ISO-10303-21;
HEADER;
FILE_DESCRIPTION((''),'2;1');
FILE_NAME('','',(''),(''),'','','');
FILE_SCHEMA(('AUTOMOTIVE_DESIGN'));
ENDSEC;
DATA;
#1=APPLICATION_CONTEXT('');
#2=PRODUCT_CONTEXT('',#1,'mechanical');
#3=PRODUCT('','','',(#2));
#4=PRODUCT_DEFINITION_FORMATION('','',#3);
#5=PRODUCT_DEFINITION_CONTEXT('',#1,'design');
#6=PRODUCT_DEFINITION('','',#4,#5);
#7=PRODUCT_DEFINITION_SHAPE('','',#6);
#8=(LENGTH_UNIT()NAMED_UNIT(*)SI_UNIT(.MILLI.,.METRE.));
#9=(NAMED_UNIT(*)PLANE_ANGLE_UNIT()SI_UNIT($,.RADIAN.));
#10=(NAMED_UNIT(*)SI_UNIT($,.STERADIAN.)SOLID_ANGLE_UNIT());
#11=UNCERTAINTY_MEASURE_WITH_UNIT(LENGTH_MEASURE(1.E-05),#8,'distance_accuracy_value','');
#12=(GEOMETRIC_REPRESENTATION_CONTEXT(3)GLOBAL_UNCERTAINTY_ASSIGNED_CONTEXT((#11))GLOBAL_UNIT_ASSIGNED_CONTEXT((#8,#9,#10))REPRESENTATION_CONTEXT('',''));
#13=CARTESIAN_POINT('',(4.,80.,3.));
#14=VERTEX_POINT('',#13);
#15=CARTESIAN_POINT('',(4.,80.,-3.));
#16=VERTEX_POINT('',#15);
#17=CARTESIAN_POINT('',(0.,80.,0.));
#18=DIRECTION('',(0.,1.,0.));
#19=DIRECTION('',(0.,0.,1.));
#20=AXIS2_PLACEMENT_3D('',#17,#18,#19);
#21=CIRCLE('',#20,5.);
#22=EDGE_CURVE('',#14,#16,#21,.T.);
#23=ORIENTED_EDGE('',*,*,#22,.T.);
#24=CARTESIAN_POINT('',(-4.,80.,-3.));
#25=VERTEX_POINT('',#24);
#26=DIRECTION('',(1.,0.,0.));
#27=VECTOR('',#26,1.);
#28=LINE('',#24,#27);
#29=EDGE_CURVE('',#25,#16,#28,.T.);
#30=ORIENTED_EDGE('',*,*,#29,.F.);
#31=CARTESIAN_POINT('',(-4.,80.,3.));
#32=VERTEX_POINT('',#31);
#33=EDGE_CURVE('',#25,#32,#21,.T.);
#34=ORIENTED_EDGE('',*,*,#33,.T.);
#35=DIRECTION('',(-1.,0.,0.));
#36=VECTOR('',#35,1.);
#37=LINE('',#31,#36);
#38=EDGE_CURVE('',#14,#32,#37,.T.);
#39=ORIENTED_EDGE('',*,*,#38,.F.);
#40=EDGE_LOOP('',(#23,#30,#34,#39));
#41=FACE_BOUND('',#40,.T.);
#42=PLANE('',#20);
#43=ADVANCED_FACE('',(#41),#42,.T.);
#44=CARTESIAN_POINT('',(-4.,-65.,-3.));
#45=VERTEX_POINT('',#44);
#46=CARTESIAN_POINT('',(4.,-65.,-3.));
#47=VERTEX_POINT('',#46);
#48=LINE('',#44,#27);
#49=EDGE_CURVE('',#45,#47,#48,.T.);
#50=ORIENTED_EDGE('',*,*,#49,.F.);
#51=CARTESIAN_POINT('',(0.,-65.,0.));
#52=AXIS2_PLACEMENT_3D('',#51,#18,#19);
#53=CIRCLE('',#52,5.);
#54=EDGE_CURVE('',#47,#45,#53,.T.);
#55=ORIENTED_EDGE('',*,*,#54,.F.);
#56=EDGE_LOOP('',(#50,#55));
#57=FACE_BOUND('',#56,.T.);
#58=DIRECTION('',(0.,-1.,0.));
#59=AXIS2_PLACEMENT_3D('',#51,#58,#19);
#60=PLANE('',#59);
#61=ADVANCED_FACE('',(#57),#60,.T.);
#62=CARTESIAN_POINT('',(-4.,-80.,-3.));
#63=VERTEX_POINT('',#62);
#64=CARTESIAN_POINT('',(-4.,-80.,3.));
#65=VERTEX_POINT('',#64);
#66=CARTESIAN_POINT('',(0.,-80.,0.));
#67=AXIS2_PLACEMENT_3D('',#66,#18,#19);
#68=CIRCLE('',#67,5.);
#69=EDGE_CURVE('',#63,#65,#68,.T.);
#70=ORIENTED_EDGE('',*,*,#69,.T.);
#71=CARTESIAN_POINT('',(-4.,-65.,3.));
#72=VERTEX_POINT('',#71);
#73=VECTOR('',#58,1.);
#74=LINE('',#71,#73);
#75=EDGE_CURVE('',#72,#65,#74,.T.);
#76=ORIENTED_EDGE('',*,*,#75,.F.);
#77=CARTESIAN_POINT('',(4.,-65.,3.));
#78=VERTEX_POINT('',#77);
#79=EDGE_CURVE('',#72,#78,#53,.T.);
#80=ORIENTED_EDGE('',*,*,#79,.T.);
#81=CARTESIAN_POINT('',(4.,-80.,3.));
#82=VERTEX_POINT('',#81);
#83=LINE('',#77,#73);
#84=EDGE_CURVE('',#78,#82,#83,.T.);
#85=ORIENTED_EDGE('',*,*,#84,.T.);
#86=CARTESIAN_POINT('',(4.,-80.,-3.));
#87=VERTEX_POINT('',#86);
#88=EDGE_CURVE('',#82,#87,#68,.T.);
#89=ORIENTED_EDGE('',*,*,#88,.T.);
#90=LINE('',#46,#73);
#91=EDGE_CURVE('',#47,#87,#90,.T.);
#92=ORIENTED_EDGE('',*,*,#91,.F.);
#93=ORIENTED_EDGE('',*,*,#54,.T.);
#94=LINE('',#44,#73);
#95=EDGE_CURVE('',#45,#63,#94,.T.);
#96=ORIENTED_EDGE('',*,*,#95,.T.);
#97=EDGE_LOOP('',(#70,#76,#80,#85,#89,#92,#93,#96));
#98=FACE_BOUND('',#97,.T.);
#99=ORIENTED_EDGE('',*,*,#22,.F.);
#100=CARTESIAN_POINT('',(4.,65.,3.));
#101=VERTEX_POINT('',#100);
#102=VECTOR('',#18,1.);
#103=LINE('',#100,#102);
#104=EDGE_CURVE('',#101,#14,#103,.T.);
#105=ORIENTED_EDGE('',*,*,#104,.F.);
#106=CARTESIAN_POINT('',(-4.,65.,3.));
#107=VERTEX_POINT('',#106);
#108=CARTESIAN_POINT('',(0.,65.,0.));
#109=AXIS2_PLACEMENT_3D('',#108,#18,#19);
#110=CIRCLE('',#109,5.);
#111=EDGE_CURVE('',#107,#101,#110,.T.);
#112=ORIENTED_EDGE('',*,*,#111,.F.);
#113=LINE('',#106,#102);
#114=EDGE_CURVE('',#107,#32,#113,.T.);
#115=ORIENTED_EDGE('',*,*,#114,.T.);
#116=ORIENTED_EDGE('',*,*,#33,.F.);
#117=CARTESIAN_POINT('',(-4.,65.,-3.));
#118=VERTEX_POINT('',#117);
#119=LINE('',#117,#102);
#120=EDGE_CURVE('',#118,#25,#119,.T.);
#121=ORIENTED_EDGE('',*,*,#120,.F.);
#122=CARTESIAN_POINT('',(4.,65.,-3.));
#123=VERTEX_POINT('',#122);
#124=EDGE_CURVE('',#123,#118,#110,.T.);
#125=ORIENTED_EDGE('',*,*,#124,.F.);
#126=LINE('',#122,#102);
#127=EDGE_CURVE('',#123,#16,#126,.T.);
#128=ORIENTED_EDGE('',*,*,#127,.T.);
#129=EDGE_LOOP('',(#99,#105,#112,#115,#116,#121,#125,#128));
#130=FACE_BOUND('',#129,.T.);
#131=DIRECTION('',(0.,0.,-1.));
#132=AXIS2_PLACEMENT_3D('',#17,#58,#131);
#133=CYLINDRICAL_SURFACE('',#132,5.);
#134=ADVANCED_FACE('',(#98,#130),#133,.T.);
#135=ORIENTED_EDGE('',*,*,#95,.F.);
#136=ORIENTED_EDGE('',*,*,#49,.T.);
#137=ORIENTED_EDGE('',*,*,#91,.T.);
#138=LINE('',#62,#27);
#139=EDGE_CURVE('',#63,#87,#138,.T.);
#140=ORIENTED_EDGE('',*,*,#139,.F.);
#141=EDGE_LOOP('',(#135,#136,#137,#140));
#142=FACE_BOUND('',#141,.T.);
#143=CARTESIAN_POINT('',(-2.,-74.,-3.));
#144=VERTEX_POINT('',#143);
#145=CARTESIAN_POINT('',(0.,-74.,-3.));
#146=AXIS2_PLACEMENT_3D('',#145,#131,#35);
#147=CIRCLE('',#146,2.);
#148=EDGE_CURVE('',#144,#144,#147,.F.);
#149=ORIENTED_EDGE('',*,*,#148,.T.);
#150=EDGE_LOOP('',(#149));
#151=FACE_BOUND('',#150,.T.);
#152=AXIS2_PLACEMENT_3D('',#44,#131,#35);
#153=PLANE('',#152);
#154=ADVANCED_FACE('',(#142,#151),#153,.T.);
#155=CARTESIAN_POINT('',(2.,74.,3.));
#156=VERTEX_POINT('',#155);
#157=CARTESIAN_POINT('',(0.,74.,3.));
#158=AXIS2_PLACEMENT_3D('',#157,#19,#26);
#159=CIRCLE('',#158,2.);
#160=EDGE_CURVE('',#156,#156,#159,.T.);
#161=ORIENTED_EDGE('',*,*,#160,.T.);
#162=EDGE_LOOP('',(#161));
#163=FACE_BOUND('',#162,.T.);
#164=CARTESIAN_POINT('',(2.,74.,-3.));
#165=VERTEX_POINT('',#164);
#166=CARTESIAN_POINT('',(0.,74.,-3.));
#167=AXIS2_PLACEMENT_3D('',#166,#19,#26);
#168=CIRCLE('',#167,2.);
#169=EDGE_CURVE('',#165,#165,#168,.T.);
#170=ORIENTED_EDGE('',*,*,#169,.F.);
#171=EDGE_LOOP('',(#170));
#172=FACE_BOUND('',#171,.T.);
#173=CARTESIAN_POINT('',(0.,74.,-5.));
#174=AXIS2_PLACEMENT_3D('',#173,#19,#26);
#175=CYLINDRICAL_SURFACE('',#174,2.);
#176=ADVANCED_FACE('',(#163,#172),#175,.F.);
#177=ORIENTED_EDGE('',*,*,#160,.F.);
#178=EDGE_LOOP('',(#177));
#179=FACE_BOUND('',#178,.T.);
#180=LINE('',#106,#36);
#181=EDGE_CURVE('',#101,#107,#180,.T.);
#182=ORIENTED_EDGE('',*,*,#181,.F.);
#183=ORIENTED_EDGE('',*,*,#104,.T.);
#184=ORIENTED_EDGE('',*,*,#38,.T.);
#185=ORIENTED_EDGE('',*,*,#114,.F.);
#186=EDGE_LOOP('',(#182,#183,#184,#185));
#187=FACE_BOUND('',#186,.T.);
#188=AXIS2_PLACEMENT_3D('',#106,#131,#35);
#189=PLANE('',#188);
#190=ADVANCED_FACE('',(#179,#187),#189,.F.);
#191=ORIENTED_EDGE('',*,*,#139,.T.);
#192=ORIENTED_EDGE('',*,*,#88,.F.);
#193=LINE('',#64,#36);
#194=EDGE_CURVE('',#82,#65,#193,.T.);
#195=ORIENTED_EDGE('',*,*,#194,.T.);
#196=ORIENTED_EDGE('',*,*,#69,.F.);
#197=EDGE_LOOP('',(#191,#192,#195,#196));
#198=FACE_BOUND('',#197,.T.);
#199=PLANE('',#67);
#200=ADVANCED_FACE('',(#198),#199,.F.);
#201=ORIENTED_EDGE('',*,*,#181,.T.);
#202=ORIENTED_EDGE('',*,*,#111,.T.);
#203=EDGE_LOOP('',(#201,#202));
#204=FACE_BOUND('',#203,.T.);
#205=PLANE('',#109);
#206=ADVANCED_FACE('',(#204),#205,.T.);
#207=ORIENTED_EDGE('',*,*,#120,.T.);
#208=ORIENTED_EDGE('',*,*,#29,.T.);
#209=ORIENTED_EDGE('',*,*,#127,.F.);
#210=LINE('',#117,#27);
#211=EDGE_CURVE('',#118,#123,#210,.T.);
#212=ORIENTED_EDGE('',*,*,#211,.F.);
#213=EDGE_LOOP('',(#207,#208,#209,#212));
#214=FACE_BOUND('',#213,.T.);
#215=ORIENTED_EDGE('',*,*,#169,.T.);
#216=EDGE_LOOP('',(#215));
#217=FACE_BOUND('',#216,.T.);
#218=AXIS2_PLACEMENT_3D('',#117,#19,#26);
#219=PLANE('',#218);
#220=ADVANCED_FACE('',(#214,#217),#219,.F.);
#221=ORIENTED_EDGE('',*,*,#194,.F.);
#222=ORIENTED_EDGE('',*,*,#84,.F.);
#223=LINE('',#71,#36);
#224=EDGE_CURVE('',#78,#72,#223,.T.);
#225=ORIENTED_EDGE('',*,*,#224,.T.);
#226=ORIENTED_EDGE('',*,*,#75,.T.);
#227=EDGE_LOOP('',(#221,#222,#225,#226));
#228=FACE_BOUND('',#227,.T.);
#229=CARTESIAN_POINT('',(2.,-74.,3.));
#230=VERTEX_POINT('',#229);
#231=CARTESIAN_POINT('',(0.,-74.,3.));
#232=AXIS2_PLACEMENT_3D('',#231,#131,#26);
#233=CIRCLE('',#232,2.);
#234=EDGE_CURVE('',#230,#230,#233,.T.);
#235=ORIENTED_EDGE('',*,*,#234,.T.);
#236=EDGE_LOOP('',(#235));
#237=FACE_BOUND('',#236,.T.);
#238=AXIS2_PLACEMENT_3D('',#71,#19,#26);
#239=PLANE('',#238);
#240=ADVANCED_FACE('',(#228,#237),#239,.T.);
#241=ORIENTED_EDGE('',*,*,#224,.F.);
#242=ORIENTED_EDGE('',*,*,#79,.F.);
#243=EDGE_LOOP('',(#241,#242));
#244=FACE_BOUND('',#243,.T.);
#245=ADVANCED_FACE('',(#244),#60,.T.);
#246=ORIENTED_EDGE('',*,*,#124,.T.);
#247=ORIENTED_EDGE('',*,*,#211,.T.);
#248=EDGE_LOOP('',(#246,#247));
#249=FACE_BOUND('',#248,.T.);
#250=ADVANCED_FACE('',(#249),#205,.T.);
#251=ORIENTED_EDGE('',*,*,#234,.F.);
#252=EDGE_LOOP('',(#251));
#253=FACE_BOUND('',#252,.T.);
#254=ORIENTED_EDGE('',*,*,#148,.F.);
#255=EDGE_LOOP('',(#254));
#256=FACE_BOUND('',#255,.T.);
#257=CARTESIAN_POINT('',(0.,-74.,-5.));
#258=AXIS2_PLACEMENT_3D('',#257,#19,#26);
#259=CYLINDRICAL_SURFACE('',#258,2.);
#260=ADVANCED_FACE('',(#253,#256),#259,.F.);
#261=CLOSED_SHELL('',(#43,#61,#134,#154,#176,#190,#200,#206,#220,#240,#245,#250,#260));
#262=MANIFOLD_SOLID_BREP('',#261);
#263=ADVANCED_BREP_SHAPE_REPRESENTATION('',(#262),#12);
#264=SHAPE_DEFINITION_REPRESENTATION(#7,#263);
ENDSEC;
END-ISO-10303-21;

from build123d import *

# Parameters (mm, degrees)
SKETCH1_R           = 5
BOSS_EXTRUDE1_DEPTH = 80
CUT_EXTRUDE1_DEPTH  = 15
SKETCH3_R           = 2
CUT_EXTRUDE2_DEPTH  = 81.554329493


with BuildPart() as part:
    # Sketch1 → Boss-Extrude1 (new, symmetric)
    with BuildSketch(Plane(origin=(0, 0, 0), x_dir=(1, 0, 0), z_dir=(0, 1, 0))):
        with Locations(Location((0, 0, 0), (0, 0, 270))):
            Circle(SKETCH1_R)
    extrude(amount=BOSS_EXTRUDE1_DEPTH, both=True)

    # Sketch2 → Cut-Extrude1 (cut)
    with BuildSketch(Plane(origin=(0, 80, 0), x_dir=(1, 0, 0), z_dir=(0, 1, 0))):
        with BuildLine():
            Line((-4, -3), (4, -3))
            ThreePointArc((4, -3), (0, -5), (-4, -3))
        make_face()
        with BuildLine():
            Line((-4, 3), (4, 3))
            ThreePointArc((4, 3), (0, 5), (-4, 3))
        make_face()
    cut_extrude1 = extrude(amount=-CUT_EXTRUDE1_DEPTH, mode=Mode.SUBTRACT)

    # Mirror2: Cut-Extrude1 across plane
    add(cut_extrude1.mirror(Plane.ZX), mode=Mode.SUBTRACT)

    # Sketch3 → Cut-Extrude2 (cut, through all)
    with BuildSketch(Plane.XY.offset(3)):
        with Locations((0, 74)):
            Circle(SKETCH3_R)
    cut_extrude2 = extrude(amount=-CUT_EXTRUDE2_DEPTH, mode=Mode.SUBTRACT)

    # Mirror3: Cut-Extrude2 across plane
    add(cut_extrude2.mirror(Plane.ZX), mode=Mode.SUBTRACT)


solid = part.part
